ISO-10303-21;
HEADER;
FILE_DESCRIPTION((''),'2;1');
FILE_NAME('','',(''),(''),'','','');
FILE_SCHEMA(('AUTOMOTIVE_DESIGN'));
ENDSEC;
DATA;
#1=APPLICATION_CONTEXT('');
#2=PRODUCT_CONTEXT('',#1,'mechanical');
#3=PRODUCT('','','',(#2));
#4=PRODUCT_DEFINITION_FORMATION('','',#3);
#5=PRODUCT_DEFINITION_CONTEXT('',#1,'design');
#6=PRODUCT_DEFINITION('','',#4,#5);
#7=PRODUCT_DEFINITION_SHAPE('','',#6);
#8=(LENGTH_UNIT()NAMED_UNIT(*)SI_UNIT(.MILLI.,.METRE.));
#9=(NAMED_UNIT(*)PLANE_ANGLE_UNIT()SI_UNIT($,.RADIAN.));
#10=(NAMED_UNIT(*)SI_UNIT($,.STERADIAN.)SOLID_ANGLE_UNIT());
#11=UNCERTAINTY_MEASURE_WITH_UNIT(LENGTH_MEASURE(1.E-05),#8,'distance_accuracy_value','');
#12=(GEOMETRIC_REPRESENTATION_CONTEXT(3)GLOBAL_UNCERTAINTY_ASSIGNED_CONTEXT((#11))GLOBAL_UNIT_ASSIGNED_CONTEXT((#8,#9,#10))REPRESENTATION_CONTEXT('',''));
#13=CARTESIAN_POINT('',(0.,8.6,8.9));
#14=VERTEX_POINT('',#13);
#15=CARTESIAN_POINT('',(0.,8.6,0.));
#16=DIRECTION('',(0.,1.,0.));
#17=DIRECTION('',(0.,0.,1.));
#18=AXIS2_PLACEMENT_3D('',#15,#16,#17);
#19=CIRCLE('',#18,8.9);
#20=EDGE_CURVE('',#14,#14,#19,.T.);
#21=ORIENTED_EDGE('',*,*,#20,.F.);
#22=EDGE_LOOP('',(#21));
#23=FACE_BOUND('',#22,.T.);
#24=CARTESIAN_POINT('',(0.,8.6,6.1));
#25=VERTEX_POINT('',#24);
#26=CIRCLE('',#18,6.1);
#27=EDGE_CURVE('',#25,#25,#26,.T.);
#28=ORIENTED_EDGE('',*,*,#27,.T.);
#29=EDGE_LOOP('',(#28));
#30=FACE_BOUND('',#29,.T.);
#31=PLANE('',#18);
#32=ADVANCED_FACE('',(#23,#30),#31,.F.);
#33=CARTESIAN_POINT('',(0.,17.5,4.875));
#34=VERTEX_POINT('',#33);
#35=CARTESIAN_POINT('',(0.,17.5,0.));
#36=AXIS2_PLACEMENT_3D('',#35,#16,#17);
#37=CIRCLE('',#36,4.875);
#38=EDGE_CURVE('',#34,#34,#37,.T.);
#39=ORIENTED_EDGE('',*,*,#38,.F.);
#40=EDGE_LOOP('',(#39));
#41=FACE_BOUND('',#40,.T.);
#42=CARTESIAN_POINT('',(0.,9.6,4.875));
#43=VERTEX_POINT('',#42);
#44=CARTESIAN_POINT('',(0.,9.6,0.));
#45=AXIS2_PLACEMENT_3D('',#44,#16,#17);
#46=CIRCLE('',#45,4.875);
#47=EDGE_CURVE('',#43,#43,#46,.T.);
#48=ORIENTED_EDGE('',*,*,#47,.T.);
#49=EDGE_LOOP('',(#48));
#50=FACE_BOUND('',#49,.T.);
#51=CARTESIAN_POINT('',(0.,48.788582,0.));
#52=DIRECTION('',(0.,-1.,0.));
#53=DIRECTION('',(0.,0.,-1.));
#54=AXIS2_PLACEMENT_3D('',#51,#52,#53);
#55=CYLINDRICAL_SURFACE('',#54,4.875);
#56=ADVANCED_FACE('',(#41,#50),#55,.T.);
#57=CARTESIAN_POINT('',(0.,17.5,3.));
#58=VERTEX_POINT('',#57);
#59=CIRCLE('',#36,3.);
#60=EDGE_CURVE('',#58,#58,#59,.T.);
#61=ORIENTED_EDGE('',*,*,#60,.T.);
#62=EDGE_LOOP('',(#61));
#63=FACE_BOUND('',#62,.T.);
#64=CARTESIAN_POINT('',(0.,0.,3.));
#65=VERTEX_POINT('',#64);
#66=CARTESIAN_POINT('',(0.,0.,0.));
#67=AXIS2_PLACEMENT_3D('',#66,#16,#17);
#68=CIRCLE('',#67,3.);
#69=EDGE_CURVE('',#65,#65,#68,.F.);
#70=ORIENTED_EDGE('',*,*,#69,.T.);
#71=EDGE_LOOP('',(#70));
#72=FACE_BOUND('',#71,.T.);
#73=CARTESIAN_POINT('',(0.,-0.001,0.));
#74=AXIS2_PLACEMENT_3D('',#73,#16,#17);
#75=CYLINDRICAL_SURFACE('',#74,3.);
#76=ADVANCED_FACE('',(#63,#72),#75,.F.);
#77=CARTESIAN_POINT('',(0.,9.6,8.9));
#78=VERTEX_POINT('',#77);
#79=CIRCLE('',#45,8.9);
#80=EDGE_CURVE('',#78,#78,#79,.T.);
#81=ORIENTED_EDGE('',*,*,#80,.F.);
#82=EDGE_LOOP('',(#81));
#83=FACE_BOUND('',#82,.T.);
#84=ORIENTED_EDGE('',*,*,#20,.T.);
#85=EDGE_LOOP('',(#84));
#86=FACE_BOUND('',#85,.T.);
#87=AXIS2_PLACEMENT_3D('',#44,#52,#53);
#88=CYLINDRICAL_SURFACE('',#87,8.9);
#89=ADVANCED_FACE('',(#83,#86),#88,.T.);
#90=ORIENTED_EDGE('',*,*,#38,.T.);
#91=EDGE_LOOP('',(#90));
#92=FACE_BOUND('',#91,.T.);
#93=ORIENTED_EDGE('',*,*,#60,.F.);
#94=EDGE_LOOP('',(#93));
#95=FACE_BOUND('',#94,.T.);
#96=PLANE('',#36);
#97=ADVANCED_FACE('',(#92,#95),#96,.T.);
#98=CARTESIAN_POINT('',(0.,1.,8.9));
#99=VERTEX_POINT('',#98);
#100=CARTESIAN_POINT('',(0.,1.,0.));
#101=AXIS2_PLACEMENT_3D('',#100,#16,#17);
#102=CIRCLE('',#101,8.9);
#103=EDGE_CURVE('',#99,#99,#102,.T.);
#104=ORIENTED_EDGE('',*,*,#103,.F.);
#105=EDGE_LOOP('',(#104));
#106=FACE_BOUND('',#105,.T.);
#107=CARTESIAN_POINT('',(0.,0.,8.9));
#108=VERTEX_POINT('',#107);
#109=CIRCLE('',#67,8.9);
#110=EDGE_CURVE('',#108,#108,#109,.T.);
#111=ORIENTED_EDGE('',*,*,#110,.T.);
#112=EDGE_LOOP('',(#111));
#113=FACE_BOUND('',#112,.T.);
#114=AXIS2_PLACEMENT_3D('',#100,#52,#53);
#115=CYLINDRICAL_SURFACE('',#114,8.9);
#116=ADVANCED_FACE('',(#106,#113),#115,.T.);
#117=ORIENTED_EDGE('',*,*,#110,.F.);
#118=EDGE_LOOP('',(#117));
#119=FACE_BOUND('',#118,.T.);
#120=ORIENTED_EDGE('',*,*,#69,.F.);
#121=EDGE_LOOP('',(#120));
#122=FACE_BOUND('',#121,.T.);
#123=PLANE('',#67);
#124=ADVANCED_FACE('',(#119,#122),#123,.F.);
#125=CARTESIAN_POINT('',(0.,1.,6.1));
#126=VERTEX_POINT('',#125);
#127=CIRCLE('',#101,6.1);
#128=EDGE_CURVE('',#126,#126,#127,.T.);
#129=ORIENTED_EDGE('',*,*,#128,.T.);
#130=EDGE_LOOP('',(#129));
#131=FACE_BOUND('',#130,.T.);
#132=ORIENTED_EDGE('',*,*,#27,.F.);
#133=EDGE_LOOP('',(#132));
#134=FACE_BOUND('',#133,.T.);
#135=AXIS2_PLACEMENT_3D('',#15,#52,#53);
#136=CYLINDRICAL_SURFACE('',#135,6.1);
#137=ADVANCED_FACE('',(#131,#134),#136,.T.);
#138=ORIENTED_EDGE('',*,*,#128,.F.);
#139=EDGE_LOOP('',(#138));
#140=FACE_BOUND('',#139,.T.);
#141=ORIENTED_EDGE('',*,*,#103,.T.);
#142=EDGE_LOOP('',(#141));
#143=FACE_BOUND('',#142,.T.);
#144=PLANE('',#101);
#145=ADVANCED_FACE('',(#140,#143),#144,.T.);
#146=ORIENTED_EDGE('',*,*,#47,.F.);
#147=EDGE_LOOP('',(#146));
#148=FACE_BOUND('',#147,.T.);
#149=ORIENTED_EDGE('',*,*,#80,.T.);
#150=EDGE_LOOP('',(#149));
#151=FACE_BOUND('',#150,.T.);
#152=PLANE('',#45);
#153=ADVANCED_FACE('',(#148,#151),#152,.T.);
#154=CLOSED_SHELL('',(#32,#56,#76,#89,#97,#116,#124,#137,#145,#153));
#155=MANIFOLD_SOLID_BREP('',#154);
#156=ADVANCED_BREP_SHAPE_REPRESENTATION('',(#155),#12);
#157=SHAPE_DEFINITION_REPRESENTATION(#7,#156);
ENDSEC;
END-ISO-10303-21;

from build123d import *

# Parameters (mm, degrees)
SKETCH1_R           = 8.9
BOSS_EXTRUDE1_DEPTH = 1
SKETCH2_R           = 6.1
BOSS_EXTRUDE2_DEPTH = 7.6
SKETCH3_R           = 8.9
BOSS_EXTRUDE3_DEPTH = 1
SKETCH4_R           = 4.875
BOSS_EXTRUDE4_DEPTH = 7.9
CUT_EXTRUDE1_REACH  = 19.5
SKETCH5_R           = 3


with BuildPart() as part:
    # Sketch1 → Boss-Extrude1 (new body)
    with BuildSketch(Plane(origin=(0, 0, 0), x_dir=(1, 0, 0), z_dir=(0, 1, 0))):
        Circle(SKETCH1_R)
    extrude(amount=BOSS_EXTRUDE1_DEPTH)

    # Sketch2 → Boss-Extrude2 (add)
    with BuildSketch(Plane(origin=(0, 1, 0), x_dir=(1, 0, 0), z_dir=(0, 1, 0))):
        Circle(SKETCH2_R)
    extrude(amount=BOSS_EXTRUDE2_DEPTH)

    # Sketch3 → Boss-Extrude3 (add)
    with BuildSketch(Plane(origin=(0, 8.6, 0), x_dir=(1, 0, 0), z_dir=(0, 1, 0))):
        Circle(SKETCH3_R)
    extrude(amount=BOSS_EXTRUDE3_DEPTH)

    # Sketch4 → Boss-Extrude4 (add)
    with BuildSketch(Plane(origin=(0, 9.6, 0), x_dir=(1, 0, 0), z_dir=(0, 1, 0))):
        Circle(SKETCH4_R)
    extrude(amount=BOSS_EXTRUDE4_DEPTH)

    # Sketch5 → Cut-Extrude1 (cut, up to next)
    with BuildSketch(Plane(origin=(0, 17.5, 0), x_dir=(1, 0, 0), z_dir=(0, 1, 0)), mode=Mode.PRIVATE) as cut_extrude1_sk1:
        Circle(SKETCH5_R)
    cut_extrude1_tool1 = extrude(cut_extrude1_sk1.sketch, amount=-CUT_EXTRUDE1_REACH, mode=Mode.PRIVATE) & part.part
    add(cut_extrude1_tool1.solids().sort_by_distance((0, 17.5, 0))[0], mode=Mode.SUBTRACT)


solid = part.part
